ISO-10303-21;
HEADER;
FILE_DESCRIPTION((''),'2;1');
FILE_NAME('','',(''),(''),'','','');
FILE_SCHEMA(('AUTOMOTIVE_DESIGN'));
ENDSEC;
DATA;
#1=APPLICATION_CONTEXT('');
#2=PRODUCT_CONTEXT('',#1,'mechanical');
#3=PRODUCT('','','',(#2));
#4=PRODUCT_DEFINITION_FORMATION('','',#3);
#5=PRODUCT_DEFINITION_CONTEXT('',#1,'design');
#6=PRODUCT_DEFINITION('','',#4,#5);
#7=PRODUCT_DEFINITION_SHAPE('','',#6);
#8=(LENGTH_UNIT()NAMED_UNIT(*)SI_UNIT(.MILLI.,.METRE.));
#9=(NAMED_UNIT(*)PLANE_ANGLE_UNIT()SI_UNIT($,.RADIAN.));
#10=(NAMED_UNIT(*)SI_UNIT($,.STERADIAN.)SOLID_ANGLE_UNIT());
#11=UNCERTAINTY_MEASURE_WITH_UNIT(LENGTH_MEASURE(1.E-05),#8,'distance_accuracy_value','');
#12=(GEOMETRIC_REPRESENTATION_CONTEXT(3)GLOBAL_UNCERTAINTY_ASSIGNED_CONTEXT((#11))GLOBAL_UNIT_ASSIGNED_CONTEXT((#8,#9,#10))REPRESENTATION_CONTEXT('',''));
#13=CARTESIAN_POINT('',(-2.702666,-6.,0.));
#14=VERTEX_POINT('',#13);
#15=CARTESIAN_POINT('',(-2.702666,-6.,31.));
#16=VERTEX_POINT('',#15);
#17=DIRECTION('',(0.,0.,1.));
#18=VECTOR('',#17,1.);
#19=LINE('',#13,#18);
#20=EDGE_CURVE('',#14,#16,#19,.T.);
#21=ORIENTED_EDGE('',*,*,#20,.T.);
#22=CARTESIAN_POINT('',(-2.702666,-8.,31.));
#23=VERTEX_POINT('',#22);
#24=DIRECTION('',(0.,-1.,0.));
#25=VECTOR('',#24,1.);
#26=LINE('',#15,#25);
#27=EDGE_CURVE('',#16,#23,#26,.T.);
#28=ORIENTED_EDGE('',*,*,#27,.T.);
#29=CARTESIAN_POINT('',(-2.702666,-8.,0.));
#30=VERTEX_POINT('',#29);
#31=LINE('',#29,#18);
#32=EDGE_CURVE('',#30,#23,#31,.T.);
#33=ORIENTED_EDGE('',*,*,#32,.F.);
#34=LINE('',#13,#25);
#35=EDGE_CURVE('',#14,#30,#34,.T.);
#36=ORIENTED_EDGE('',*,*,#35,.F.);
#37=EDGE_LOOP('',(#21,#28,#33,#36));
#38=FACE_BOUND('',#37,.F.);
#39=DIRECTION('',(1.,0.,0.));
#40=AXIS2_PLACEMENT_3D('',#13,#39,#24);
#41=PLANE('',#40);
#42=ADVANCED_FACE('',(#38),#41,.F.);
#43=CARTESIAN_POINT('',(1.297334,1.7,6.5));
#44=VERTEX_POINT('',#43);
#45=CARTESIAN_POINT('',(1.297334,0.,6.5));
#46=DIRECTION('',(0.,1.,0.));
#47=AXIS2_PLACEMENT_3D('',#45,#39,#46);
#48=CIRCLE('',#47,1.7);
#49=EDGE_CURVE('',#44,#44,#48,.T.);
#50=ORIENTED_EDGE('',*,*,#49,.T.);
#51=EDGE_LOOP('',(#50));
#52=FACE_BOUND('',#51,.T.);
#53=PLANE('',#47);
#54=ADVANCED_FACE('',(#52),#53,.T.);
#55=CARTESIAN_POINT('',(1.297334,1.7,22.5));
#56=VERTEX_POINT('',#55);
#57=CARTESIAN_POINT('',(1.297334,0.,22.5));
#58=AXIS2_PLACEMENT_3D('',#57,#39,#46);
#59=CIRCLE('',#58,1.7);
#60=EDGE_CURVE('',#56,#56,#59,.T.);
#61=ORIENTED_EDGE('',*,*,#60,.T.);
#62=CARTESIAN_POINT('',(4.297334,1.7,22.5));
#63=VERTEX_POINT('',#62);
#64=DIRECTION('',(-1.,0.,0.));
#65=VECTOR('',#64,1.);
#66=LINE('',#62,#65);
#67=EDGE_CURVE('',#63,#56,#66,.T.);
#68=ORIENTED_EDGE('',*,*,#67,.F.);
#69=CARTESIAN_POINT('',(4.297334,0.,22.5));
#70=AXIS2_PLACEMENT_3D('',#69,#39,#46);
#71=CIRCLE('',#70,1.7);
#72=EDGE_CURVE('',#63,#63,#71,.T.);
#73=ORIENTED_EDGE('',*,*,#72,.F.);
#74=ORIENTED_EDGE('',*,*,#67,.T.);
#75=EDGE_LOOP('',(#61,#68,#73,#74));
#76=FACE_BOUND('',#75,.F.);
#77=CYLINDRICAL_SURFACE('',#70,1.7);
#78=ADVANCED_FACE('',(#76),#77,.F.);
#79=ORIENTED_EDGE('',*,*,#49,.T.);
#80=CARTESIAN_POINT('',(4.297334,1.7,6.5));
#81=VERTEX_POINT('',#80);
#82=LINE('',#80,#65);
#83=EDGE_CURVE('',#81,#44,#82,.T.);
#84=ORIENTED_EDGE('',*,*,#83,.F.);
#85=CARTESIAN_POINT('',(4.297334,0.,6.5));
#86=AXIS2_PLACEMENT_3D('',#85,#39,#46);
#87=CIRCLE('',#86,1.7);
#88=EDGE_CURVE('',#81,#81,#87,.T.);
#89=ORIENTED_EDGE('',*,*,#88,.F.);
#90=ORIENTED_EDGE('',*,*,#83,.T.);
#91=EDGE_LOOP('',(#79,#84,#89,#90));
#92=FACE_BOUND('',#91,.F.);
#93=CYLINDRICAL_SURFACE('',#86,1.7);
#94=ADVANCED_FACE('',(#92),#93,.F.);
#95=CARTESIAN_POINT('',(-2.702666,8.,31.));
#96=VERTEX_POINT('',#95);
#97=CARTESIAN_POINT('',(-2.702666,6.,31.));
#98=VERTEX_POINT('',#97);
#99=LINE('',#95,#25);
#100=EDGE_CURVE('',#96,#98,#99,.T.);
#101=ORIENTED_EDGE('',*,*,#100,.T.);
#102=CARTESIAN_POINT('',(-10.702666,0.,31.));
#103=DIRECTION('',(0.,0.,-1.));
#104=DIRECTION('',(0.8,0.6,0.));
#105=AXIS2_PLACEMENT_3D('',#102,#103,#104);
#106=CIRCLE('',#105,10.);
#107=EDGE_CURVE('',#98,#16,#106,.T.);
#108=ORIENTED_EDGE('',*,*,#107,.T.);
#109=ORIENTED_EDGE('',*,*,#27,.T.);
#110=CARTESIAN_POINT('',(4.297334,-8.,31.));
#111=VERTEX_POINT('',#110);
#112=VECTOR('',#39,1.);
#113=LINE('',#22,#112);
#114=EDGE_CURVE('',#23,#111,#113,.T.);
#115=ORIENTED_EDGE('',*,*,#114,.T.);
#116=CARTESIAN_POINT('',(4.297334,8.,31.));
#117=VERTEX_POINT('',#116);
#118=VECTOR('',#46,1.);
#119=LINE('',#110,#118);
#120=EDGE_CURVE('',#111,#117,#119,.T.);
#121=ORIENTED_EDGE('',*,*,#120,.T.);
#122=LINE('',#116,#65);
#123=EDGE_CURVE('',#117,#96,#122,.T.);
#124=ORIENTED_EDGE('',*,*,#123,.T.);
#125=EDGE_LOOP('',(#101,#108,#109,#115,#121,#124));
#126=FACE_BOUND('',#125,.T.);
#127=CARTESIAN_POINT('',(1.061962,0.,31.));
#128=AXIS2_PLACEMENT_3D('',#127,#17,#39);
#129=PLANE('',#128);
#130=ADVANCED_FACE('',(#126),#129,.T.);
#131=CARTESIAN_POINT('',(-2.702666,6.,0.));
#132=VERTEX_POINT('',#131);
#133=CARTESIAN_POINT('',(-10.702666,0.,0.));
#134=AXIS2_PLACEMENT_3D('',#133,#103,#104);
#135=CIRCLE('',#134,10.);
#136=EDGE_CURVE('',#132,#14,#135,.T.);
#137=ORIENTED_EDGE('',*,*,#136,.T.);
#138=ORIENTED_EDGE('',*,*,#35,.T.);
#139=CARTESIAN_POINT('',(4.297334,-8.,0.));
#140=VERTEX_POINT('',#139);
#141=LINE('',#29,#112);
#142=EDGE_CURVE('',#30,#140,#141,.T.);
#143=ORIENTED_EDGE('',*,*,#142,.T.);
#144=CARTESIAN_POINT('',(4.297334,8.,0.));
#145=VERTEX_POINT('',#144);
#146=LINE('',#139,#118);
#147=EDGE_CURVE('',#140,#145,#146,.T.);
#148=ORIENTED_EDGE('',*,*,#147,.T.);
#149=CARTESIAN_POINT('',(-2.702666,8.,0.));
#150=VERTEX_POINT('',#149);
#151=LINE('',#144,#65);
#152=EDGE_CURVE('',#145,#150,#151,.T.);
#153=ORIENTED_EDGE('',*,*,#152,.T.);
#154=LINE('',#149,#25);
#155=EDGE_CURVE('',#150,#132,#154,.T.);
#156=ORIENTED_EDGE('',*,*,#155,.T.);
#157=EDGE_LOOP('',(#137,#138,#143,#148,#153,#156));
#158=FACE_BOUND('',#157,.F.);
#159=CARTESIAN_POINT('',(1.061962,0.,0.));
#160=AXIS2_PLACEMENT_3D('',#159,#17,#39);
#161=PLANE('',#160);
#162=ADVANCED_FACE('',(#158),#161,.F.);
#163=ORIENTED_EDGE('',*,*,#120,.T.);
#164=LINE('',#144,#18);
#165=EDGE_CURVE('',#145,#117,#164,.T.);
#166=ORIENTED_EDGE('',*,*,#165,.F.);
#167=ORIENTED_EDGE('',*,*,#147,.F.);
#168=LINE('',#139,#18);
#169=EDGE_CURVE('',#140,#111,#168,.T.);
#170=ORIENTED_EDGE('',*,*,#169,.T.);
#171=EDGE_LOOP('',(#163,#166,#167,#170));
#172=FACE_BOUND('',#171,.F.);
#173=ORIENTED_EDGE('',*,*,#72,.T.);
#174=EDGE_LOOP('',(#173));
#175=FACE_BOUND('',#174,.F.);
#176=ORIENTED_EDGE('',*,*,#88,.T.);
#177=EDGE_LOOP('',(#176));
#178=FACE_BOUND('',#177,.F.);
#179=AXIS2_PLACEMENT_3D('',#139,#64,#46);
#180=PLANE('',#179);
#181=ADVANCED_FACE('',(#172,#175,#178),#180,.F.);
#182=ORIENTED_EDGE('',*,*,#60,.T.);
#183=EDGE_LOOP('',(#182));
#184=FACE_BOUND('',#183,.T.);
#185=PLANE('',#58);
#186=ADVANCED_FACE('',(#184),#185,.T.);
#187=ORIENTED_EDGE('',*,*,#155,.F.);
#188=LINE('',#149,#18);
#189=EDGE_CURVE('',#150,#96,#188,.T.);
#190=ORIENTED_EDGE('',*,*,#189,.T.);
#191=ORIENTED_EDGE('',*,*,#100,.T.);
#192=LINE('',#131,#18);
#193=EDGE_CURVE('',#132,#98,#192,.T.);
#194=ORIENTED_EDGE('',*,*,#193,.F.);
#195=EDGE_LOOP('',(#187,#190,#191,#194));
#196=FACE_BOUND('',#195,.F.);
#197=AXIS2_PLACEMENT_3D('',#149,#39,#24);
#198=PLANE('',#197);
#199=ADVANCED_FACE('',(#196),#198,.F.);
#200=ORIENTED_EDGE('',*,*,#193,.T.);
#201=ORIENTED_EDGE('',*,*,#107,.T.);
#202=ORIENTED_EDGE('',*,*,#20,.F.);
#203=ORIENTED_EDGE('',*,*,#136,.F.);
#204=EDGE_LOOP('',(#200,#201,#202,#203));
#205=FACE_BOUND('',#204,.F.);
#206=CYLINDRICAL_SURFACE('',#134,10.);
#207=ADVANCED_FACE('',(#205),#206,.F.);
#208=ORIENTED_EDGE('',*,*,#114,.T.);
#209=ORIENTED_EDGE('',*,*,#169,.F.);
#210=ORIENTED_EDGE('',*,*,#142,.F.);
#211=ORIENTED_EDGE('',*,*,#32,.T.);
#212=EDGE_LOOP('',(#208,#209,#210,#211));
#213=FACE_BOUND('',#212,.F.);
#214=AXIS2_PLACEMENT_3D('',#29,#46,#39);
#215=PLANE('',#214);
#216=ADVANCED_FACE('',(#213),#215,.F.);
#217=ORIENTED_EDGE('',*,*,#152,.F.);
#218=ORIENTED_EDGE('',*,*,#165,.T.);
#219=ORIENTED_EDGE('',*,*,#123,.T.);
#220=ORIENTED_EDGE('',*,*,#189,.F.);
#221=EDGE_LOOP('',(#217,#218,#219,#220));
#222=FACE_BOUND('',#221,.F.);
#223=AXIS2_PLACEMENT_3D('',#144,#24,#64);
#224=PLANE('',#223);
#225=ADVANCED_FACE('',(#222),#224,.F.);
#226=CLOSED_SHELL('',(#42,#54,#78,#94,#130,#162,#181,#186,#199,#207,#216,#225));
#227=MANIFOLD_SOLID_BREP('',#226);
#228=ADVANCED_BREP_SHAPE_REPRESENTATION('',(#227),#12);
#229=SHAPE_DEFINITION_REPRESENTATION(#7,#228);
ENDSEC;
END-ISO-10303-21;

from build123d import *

# Parameters (mm, degrees)
F1_DEPTH = 31
F2_R     = 1.7
F3_DEPTH = 3


with BuildPart() as f1:
    # F0 (on Top) → F1 (new body)
    with BuildSketch(Plane.XY):
        with BuildLine():
            Line((-2.702666, -6), (-2.702666, -8))
            Line((-2.702666, -8), (4.297334, -8))
            Line((4.297334, -8), (4.297334, 8))
            Line((4.297334, 8), (-2.702666, 8))
            Line((-2.702666, 8), (-2.702666, 6))
            ThreePointArc((-2.702666, 6), (-0.702666, 0), (-2.702666, -6))
        make_face()
    extrude(amount=F1_DEPTH)

    # F2 (on face) → F3 (cut)
    with BuildSketch(Plane.YZ.offset(4.297334)):
        with Locations((0, 22.5)):
            Circle(F2_R)
        with Locations((0, 6.5)):
            Circle(F2_R)
    extrude(amount=-F3_DEPTH, mode=Mode.SUBTRACT)


solid = f1.part
